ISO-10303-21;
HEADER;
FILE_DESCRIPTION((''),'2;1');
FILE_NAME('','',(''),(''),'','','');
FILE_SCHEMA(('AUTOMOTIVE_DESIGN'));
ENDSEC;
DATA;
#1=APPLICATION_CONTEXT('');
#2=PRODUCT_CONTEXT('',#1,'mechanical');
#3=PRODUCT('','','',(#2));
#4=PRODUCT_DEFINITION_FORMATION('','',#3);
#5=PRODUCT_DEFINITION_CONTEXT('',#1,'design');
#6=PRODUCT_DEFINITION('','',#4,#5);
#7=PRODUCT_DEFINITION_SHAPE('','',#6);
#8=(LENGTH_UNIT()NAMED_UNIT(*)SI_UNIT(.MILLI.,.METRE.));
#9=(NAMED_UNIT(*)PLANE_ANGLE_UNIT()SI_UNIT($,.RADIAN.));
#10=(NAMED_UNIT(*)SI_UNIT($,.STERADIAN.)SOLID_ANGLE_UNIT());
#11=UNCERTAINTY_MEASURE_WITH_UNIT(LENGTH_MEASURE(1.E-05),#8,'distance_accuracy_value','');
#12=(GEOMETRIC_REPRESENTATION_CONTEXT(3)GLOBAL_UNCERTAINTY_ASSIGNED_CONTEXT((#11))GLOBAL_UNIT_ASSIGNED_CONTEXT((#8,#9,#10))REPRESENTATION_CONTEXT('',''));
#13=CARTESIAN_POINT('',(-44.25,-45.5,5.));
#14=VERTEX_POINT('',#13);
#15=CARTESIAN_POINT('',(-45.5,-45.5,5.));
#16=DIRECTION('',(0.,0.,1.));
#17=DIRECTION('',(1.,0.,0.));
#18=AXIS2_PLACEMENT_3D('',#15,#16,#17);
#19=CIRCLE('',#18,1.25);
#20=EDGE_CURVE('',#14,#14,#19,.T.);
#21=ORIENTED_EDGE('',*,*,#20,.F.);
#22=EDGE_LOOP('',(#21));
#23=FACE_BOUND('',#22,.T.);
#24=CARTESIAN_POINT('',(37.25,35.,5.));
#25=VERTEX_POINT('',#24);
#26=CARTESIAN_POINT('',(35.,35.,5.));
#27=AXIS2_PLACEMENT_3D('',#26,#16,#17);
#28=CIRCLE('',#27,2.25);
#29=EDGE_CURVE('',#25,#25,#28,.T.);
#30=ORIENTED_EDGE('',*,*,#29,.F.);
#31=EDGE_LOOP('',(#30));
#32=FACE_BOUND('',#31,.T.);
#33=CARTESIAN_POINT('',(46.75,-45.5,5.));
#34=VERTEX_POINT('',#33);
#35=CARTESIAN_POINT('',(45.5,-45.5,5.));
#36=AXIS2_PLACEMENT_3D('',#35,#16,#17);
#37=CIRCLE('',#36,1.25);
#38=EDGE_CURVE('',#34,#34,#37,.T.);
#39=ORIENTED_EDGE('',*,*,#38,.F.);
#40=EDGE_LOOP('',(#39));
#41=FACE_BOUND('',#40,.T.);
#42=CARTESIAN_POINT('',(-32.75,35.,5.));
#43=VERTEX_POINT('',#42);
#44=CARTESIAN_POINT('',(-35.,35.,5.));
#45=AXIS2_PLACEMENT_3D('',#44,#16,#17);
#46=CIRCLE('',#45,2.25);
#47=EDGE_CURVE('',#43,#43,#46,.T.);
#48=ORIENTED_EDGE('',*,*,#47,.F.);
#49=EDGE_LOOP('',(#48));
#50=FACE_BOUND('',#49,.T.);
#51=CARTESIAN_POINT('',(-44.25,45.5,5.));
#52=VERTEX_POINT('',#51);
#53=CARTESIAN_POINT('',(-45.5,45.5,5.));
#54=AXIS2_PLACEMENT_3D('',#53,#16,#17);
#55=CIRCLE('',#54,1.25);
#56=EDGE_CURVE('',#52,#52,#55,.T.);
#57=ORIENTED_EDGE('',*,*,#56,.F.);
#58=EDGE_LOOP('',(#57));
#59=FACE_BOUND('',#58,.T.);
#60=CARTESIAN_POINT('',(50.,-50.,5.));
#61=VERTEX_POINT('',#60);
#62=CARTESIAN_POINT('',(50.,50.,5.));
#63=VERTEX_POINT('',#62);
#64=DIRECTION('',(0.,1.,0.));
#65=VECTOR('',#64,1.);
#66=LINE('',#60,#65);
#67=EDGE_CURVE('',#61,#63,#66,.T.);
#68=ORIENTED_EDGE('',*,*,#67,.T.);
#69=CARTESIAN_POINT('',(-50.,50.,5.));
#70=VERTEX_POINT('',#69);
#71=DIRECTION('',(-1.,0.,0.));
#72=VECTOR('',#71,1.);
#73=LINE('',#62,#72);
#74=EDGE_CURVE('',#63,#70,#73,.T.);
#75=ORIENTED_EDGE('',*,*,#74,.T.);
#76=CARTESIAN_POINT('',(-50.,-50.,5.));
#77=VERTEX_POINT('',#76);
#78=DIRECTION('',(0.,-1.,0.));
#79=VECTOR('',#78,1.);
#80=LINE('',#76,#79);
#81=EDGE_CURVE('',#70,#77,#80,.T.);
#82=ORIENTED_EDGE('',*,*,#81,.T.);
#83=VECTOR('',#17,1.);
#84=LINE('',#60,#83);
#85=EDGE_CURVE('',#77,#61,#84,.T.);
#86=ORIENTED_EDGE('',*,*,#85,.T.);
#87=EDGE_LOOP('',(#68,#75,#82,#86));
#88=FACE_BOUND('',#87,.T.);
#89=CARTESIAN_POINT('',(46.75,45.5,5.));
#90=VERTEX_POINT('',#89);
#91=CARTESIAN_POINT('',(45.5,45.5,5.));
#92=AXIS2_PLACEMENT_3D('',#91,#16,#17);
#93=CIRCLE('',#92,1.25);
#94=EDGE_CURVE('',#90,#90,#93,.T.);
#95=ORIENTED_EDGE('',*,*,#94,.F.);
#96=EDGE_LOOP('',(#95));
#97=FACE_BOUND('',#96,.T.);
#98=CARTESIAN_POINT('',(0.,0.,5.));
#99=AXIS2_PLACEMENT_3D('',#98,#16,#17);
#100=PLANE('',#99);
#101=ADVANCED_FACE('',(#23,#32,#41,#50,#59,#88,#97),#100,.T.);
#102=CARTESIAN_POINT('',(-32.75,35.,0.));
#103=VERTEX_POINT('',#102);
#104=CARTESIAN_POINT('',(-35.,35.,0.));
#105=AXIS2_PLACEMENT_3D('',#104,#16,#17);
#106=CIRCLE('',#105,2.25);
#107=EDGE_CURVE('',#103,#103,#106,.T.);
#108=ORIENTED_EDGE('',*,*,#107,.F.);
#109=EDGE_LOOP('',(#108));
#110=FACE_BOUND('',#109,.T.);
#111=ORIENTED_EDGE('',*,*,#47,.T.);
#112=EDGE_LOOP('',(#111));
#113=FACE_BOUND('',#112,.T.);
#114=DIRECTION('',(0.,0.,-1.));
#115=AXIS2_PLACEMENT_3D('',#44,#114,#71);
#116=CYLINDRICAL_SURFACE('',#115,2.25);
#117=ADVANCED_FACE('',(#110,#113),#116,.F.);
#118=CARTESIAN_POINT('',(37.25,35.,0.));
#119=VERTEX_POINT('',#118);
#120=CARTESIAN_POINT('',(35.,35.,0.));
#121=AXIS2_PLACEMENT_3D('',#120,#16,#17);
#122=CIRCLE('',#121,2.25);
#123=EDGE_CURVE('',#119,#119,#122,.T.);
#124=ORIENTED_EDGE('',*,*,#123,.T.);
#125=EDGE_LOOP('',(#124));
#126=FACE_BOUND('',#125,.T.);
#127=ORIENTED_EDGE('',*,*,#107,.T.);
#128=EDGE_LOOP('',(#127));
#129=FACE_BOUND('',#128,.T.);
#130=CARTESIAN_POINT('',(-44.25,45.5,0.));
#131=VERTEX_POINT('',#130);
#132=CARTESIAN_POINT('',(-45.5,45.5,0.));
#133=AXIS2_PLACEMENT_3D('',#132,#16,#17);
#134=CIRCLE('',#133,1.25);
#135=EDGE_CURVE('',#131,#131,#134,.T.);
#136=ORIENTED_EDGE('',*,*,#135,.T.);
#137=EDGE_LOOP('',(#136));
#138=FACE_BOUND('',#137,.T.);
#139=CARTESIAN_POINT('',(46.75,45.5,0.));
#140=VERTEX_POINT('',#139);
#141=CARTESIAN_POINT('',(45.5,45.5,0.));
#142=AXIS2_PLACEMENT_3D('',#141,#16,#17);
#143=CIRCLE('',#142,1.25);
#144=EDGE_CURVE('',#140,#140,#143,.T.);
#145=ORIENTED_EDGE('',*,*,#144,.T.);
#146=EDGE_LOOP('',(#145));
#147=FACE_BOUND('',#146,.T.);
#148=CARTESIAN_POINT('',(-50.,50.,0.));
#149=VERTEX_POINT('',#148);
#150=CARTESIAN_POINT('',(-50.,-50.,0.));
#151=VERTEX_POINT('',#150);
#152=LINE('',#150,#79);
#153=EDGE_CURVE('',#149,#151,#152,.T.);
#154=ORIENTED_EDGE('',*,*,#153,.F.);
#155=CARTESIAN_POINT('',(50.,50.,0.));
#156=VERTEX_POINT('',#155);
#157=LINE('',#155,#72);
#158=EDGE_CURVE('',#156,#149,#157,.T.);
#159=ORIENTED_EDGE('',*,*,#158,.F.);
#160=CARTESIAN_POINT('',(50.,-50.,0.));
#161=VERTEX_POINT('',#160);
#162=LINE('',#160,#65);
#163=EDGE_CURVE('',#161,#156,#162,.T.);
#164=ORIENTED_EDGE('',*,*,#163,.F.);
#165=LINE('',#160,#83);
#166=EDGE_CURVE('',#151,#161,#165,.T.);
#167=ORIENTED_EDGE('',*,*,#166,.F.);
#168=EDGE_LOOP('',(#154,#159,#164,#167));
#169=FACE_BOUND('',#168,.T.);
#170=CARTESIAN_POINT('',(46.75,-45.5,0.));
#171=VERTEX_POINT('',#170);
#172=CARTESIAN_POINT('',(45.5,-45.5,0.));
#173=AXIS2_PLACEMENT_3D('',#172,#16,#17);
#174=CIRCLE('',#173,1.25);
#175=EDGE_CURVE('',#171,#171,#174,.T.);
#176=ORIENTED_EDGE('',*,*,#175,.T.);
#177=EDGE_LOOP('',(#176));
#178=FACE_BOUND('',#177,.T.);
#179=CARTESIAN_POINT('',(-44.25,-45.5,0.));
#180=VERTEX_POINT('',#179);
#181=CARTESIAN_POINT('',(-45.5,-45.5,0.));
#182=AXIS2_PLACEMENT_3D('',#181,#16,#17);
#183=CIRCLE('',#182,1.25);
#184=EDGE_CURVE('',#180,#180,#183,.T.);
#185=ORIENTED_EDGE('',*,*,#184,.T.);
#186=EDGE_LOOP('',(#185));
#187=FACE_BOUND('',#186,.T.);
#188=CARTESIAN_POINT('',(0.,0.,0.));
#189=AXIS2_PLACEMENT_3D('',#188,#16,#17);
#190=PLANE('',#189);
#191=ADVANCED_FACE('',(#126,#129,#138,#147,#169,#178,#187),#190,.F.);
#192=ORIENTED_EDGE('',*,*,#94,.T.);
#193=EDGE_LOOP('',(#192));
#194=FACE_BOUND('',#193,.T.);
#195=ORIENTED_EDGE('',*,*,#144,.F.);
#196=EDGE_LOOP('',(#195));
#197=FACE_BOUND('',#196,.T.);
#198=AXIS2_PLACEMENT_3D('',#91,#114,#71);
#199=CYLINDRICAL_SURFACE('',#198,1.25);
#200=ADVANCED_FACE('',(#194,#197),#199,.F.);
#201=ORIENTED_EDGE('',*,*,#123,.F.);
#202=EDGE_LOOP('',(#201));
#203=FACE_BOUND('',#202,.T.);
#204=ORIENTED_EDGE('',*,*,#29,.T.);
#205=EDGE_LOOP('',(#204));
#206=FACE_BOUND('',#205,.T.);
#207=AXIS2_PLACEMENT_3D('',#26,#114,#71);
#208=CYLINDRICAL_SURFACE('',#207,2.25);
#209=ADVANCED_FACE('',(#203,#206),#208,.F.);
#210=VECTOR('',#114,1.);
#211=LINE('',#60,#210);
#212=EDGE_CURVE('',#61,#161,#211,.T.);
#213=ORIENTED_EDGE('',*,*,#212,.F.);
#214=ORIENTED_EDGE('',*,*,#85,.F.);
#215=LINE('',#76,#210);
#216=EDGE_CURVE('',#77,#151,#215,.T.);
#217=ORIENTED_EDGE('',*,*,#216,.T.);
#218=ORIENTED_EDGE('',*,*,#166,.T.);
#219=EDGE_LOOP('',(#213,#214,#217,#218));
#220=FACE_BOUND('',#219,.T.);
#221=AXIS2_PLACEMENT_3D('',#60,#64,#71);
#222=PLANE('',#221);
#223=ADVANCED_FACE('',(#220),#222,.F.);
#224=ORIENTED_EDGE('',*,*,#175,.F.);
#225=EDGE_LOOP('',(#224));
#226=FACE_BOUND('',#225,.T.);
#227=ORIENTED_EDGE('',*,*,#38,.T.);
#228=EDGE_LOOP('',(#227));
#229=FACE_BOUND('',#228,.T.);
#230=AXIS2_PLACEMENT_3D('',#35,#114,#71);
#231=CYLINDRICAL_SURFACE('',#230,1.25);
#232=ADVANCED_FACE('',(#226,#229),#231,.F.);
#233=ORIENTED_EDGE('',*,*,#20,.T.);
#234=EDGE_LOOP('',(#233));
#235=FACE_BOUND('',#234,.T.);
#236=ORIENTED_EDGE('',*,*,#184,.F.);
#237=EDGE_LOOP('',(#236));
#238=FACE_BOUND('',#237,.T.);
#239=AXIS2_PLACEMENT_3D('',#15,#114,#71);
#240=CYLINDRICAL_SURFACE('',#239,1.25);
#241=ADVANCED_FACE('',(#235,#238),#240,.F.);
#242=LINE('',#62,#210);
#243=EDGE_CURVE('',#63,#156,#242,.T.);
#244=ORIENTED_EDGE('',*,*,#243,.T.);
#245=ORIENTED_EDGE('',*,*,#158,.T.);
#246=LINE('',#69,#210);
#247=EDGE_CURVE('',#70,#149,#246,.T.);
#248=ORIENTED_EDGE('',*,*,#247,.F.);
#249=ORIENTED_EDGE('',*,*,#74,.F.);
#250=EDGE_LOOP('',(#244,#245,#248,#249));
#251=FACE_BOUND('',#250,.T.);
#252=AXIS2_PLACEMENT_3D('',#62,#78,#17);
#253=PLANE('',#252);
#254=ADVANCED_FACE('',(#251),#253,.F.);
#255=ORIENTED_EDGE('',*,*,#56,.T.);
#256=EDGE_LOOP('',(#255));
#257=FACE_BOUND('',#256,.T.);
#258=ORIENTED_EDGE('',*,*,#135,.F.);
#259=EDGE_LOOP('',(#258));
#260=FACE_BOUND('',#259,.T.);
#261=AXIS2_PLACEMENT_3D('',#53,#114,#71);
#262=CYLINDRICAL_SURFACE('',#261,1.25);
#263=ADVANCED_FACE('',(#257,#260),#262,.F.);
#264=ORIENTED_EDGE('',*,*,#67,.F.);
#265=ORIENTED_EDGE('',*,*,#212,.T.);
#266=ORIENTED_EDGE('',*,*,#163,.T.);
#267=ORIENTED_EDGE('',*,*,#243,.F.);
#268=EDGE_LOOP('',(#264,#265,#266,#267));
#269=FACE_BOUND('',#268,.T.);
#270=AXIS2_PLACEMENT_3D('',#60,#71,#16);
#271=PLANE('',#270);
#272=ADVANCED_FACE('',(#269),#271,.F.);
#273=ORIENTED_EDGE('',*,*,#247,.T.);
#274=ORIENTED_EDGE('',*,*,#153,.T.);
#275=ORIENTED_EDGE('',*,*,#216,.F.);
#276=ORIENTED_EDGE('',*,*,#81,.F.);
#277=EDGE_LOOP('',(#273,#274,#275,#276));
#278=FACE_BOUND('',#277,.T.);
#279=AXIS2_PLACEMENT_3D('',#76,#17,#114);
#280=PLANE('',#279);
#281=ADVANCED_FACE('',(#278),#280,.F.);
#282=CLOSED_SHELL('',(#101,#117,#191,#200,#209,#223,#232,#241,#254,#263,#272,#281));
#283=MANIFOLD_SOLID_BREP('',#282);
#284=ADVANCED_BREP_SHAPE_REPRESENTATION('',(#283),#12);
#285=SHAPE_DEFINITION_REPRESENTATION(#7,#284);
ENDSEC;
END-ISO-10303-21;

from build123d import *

# Parameters (mm, degrees)
SKETCH1_W           = 100
SKETCH1_H           = 100
SKETCH1_R           = 1.25
SKETCH1_R_2         = 2.25
BOSS_EXTRUDE1_DEPTH = 5


with BuildPart() as part:
    # Sketch1 → Boss-Extrude1 (new body)
    with BuildSketch(Plane.XY):
        Rectangle(SKETCH1_W, SKETCH1_H)
        with Locations((-45.5, 45.5)):
            Circle(SKETCH1_R, mode=Mode.SUBTRACT)
        with Locations((45.5, 45.5)):
            Circle(SKETCH1_R, mode=Mode.SUBTRACT)
        with Locations((45.5, -45.5)):
            Circle(SKETCH1_R, mode=Mode.SUBTRACT)
        with Locations((-45.5, -45.5)):
            Circle(SKETCH1_R, mode=Mode.SUBTRACT)
        with Locations((-35, 35)):
            Circle(SKETCH1_R_2, mode=Mode.SUBTRACT)
        with Locations((35, 35)):
            Circle(SKETCH1_R_2, mode=Mode.SUBTRACT)
    extrude(amount=BOSS_EXTRUDE1_DEPTH)


solid = part.part
